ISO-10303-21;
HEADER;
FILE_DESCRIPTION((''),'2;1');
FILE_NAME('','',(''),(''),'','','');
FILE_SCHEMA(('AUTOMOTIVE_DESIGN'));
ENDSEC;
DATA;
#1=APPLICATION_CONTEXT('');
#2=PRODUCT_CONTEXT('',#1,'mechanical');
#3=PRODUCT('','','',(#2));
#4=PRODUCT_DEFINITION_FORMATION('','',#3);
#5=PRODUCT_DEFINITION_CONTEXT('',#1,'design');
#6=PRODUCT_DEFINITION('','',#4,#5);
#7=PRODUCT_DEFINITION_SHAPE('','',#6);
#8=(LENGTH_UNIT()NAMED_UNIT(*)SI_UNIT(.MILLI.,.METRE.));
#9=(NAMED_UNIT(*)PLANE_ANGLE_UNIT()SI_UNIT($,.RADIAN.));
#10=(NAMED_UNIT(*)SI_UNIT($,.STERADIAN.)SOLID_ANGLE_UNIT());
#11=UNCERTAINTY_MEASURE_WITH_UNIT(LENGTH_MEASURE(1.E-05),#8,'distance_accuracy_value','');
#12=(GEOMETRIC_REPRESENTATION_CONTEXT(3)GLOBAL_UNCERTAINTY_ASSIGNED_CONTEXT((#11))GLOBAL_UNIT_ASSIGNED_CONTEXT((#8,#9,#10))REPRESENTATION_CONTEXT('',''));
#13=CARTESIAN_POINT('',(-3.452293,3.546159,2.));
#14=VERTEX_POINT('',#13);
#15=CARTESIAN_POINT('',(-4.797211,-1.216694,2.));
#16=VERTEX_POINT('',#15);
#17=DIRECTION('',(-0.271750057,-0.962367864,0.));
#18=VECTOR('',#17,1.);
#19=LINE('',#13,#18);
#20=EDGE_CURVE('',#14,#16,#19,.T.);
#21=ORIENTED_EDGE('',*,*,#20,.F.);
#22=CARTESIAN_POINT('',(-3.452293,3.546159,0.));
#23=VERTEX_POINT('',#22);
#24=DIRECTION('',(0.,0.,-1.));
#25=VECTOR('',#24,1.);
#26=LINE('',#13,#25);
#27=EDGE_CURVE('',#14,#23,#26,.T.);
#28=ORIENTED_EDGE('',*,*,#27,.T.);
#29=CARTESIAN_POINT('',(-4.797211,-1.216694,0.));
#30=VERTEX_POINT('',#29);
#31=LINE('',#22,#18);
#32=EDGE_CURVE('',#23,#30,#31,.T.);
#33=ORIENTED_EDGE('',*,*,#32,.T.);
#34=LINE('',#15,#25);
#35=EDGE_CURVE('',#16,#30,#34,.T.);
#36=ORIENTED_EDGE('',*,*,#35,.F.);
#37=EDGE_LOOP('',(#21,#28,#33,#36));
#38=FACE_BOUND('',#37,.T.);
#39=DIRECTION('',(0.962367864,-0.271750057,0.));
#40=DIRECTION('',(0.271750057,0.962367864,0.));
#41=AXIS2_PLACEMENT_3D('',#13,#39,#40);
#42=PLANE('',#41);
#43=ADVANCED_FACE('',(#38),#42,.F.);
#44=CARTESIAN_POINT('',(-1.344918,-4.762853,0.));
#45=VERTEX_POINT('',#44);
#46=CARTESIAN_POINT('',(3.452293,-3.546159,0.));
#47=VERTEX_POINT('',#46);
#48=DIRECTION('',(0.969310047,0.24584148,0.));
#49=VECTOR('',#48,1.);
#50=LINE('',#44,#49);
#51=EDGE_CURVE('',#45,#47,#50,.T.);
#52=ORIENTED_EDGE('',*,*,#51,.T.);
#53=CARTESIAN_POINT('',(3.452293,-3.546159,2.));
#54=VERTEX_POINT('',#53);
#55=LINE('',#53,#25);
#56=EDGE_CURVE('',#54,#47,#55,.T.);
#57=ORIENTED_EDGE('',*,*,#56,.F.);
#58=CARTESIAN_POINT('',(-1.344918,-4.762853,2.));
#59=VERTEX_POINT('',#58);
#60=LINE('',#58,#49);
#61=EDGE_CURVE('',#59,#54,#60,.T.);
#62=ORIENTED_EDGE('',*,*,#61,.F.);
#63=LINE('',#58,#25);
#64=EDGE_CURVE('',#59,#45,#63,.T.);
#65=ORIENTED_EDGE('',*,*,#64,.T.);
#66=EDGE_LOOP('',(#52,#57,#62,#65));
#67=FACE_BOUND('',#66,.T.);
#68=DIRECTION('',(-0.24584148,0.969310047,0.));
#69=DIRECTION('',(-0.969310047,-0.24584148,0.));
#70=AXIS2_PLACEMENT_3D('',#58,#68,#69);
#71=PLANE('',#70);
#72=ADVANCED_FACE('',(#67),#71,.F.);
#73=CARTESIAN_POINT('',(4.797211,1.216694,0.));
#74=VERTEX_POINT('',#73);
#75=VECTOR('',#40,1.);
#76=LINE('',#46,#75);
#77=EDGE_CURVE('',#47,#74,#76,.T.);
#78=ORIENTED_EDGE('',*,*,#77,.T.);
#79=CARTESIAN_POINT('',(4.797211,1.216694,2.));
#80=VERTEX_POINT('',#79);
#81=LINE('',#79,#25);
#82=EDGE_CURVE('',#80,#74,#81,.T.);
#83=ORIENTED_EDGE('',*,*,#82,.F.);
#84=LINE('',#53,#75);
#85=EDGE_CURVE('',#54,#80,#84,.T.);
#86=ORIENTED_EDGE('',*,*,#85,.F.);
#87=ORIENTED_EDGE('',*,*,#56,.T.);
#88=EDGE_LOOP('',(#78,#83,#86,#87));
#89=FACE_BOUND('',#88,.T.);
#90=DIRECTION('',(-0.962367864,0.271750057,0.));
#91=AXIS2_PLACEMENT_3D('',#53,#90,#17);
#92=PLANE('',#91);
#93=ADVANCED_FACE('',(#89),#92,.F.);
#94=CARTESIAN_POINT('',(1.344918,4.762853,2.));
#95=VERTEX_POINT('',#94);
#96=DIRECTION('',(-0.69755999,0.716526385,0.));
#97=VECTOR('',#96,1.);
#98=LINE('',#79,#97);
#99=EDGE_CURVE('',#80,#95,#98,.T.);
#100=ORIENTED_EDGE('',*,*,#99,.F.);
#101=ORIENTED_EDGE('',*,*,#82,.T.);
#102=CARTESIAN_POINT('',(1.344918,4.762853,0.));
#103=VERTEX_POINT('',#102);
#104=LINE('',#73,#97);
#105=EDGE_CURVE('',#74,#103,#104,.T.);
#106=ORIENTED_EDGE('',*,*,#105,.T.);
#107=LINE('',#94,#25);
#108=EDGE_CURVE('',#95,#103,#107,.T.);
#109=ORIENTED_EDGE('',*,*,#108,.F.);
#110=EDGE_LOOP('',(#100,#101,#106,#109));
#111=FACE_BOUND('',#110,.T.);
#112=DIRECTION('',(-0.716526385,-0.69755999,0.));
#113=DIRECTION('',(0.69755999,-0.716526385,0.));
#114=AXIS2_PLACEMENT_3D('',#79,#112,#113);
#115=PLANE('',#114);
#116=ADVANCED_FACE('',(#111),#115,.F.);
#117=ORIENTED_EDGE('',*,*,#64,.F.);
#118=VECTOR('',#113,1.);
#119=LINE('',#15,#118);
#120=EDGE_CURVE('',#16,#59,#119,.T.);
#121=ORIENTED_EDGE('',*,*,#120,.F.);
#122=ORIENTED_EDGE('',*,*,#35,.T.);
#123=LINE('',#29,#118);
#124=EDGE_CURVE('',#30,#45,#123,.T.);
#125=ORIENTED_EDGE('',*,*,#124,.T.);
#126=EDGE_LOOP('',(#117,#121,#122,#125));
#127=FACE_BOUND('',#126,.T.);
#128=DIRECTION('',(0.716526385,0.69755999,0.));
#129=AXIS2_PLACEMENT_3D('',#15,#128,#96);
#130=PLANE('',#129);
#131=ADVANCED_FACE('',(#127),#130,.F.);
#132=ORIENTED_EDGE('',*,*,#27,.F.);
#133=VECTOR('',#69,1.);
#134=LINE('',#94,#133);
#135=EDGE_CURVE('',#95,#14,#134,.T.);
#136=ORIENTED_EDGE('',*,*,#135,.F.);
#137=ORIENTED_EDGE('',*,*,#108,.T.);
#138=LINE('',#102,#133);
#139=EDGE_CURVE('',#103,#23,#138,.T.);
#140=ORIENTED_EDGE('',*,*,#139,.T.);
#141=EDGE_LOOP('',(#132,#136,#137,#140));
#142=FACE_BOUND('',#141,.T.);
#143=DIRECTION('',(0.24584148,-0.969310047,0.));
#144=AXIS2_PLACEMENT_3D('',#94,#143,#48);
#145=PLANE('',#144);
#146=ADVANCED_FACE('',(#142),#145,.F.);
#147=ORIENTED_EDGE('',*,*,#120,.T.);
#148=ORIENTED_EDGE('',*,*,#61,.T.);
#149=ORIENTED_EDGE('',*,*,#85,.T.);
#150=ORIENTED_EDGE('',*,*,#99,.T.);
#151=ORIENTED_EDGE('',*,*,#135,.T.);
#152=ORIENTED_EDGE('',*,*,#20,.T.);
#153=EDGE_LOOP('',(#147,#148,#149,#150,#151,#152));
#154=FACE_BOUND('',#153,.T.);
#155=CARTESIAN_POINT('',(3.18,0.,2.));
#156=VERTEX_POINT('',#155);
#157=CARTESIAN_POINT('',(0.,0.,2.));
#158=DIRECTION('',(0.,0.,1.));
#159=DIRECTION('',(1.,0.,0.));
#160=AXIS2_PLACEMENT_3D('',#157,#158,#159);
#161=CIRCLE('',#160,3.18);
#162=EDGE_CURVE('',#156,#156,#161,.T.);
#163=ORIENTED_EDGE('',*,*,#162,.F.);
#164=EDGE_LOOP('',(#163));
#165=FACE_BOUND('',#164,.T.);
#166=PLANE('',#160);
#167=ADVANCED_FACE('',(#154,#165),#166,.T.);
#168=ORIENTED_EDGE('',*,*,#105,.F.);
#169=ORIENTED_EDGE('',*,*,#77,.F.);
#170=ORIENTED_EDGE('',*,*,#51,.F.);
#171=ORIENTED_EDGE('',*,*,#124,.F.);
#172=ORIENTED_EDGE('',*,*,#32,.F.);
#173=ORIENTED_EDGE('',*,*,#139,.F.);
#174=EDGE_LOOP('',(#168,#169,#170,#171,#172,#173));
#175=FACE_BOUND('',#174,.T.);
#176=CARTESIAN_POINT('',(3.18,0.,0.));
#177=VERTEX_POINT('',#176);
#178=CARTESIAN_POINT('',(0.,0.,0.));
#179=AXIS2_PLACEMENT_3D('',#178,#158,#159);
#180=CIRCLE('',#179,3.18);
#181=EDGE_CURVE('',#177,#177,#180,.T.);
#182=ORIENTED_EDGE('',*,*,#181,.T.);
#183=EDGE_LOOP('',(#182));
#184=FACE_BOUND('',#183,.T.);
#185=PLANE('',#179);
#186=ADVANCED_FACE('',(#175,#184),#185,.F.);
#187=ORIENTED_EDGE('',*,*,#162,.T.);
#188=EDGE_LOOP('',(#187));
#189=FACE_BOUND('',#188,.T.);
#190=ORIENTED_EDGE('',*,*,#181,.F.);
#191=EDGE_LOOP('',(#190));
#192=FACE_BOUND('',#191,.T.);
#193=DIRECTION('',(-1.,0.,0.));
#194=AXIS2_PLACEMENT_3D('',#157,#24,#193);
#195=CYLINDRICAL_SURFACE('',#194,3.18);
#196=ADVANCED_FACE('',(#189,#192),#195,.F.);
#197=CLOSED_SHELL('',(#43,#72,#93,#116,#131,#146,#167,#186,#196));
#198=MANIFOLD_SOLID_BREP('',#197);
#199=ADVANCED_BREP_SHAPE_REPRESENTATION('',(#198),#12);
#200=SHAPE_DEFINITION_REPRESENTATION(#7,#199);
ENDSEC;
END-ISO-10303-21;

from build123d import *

# Parameters (mm, degrees)
SKETCH1_R           = 3.18
BOSS_EXTRUDE1_DEPTH = 2


with BuildPart() as part:
    # Sketch1 → Boss-Extrude1 (new body)
    with BuildSketch(Plane.XY):
        Polygon((-1.344917718, -4.76285307), (3.452292894, -3.546159445), (4.797210612, 1.216693625), (1.344917718, 4.76285307), (-3.452292894, 3.546159445), (-4.797210612, -1.216693625), align=None)
        Circle(SKETCH1_R, mode=Mode.SUBTRACT)
    extrude(amount=BOSS_EXTRUDE1_DEPTH)


solid = part.part
